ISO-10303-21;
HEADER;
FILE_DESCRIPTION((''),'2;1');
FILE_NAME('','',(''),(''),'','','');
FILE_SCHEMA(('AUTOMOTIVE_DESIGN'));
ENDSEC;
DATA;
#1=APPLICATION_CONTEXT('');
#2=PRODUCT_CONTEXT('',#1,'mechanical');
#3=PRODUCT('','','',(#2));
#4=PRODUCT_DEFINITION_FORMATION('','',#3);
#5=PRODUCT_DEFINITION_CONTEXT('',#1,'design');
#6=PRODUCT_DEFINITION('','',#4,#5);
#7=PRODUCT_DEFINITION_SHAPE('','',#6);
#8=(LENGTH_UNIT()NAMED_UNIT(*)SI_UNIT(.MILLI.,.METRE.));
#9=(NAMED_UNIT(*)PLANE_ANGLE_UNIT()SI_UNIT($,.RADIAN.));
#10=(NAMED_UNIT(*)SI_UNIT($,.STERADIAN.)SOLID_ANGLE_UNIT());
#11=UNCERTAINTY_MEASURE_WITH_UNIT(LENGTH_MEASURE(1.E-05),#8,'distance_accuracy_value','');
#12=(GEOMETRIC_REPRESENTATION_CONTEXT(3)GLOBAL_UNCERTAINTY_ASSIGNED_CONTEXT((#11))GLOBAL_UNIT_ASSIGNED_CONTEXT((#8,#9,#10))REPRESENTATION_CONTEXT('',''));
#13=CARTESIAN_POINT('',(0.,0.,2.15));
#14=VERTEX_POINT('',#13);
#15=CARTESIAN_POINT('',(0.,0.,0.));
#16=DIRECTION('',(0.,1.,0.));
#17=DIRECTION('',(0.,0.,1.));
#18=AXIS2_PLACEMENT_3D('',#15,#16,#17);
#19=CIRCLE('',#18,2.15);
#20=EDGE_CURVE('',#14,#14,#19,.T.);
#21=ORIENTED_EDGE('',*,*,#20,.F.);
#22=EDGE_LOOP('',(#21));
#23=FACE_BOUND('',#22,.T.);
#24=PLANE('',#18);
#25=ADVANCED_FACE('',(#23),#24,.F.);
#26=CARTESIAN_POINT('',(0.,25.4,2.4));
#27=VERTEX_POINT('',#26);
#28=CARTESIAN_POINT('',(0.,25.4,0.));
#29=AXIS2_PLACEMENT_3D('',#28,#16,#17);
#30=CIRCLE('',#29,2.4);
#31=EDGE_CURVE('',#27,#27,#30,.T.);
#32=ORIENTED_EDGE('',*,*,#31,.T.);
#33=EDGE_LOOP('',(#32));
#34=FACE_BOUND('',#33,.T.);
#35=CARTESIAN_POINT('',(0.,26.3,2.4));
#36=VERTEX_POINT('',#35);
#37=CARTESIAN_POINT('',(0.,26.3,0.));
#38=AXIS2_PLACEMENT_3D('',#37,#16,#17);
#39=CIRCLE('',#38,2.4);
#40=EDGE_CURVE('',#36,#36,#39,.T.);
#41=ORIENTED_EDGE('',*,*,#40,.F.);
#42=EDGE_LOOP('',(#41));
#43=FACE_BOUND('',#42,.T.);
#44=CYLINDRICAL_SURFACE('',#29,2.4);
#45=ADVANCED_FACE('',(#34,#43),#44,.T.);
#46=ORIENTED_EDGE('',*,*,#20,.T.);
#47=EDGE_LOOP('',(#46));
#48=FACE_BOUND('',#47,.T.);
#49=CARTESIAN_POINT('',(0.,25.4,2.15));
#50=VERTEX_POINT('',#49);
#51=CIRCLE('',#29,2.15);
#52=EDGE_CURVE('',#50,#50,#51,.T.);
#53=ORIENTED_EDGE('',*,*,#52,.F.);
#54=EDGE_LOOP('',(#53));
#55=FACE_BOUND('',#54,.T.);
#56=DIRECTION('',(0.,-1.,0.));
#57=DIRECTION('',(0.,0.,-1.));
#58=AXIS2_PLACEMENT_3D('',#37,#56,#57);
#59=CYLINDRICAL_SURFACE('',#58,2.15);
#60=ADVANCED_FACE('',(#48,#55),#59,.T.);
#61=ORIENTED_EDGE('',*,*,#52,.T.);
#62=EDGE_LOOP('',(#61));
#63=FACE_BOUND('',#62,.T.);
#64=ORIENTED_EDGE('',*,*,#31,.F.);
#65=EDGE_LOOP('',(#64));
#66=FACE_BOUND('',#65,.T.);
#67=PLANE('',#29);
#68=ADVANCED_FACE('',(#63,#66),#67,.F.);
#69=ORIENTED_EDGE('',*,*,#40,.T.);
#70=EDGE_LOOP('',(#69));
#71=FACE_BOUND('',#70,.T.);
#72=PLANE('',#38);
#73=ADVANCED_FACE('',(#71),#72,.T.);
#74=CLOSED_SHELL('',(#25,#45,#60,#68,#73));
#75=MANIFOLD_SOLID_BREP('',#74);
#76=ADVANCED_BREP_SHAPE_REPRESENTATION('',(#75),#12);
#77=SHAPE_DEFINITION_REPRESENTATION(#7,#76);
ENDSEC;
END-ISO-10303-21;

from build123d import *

# Parameters (mm, degrees)
SKETCH1_R           = 2.15
BOSS_EXTRUDE1_DEPTH = 26.3
SKETCH2_R           = 2.4
BOSS_EXTRUDE2_DEPTH = 0.9


with BuildPart() as part:
    # Sketch1 → Boss-Extrude1 (new body)
    with BuildSketch(Plane(origin=(0, 0, 0), x_dir=(1, 0, 0), z_dir=(0, 1, 0))):
        with Locations(Location((0, 0, 0), (0, 0, 270))):
            Circle(SKETCH1_R)
    extrude(amount=BOSS_EXTRUDE1_DEPTH)

    # Sketch2 → Boss-Extrude2 (add)
    with BuildSketch(Plane(origin=(0, 26.3, 0), x_dir=(1, 0, 0), z_dir=(0, 1, 0))):
        with Locations(Location((0, 0, 0), (0, 0, 270))):
            Circle(SKETCH2_R)
    extrude(amount=-BOSS_EXTRUDE2_DEPTH)


solid = part.part
